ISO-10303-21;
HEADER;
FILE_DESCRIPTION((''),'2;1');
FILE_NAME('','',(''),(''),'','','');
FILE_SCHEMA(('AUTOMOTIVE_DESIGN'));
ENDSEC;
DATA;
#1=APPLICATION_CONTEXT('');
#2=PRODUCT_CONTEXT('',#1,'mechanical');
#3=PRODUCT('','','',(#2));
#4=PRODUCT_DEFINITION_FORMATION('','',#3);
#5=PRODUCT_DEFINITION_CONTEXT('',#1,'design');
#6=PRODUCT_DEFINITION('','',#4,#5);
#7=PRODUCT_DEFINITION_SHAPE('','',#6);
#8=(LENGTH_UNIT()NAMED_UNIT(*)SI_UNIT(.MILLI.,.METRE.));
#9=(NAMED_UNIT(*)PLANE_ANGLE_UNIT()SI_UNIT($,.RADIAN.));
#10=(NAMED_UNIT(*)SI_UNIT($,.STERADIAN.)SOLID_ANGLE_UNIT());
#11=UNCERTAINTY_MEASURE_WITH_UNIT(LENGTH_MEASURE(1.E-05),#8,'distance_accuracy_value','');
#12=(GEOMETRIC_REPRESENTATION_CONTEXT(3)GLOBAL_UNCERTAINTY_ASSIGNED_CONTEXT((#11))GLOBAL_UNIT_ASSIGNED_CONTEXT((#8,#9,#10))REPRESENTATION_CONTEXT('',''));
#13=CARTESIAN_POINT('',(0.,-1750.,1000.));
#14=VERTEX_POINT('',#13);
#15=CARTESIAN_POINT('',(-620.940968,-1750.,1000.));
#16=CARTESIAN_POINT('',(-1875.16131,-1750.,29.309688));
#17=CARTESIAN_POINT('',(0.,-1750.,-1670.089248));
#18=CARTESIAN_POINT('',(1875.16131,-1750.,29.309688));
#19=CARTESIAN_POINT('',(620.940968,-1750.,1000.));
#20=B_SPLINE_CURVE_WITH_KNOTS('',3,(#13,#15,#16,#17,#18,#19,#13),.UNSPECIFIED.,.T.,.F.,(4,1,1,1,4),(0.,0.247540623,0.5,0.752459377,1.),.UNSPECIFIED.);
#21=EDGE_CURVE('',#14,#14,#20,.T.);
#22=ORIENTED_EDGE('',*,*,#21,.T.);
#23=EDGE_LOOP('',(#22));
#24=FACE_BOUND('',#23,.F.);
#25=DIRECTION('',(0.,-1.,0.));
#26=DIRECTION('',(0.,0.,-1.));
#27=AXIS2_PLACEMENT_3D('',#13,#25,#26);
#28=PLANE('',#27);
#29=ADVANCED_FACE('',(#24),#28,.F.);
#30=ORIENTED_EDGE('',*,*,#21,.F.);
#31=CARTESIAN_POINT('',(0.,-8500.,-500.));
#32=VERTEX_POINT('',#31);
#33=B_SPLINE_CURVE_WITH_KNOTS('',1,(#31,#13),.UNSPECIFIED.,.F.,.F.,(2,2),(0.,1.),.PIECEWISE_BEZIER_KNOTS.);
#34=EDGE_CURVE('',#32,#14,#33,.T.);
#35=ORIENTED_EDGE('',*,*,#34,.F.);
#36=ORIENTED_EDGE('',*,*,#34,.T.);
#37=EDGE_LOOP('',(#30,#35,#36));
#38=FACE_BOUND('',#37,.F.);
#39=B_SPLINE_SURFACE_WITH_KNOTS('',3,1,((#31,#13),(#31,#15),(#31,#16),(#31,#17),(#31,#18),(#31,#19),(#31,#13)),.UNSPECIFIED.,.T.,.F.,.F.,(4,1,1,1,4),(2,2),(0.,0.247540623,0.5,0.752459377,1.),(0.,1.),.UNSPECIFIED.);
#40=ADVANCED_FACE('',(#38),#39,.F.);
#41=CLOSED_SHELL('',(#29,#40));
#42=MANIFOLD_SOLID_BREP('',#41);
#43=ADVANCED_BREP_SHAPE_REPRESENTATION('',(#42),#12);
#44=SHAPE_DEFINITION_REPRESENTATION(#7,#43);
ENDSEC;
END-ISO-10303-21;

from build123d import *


with BuildPart() as f4:
    # F2 (on offset) → F4 section 0
    with BuildSketch(Plane.XZ.offset(1750), mode=Mode.PRIVATE) as f4_s0:
        with BuildLine():
            add(Edge.make_bspline(
                [(0, 1000), (-620.9409684422, 1000), (-1875.1613099352, 29.3096883606), (0, -1670.0892481116), (1875.1613099352, 29.3096883606), (620.9409684422, 1000), (0, 1000)],
                knots=[0, 0, 0, 0, 0.2475406226, 0.5, 0.7524593774, 1, 1, 1, 1], degree=3))
        make_face()
    loft([Vertex(0, -8500, -500), f4_s0.sketch])


solid = f4.part
